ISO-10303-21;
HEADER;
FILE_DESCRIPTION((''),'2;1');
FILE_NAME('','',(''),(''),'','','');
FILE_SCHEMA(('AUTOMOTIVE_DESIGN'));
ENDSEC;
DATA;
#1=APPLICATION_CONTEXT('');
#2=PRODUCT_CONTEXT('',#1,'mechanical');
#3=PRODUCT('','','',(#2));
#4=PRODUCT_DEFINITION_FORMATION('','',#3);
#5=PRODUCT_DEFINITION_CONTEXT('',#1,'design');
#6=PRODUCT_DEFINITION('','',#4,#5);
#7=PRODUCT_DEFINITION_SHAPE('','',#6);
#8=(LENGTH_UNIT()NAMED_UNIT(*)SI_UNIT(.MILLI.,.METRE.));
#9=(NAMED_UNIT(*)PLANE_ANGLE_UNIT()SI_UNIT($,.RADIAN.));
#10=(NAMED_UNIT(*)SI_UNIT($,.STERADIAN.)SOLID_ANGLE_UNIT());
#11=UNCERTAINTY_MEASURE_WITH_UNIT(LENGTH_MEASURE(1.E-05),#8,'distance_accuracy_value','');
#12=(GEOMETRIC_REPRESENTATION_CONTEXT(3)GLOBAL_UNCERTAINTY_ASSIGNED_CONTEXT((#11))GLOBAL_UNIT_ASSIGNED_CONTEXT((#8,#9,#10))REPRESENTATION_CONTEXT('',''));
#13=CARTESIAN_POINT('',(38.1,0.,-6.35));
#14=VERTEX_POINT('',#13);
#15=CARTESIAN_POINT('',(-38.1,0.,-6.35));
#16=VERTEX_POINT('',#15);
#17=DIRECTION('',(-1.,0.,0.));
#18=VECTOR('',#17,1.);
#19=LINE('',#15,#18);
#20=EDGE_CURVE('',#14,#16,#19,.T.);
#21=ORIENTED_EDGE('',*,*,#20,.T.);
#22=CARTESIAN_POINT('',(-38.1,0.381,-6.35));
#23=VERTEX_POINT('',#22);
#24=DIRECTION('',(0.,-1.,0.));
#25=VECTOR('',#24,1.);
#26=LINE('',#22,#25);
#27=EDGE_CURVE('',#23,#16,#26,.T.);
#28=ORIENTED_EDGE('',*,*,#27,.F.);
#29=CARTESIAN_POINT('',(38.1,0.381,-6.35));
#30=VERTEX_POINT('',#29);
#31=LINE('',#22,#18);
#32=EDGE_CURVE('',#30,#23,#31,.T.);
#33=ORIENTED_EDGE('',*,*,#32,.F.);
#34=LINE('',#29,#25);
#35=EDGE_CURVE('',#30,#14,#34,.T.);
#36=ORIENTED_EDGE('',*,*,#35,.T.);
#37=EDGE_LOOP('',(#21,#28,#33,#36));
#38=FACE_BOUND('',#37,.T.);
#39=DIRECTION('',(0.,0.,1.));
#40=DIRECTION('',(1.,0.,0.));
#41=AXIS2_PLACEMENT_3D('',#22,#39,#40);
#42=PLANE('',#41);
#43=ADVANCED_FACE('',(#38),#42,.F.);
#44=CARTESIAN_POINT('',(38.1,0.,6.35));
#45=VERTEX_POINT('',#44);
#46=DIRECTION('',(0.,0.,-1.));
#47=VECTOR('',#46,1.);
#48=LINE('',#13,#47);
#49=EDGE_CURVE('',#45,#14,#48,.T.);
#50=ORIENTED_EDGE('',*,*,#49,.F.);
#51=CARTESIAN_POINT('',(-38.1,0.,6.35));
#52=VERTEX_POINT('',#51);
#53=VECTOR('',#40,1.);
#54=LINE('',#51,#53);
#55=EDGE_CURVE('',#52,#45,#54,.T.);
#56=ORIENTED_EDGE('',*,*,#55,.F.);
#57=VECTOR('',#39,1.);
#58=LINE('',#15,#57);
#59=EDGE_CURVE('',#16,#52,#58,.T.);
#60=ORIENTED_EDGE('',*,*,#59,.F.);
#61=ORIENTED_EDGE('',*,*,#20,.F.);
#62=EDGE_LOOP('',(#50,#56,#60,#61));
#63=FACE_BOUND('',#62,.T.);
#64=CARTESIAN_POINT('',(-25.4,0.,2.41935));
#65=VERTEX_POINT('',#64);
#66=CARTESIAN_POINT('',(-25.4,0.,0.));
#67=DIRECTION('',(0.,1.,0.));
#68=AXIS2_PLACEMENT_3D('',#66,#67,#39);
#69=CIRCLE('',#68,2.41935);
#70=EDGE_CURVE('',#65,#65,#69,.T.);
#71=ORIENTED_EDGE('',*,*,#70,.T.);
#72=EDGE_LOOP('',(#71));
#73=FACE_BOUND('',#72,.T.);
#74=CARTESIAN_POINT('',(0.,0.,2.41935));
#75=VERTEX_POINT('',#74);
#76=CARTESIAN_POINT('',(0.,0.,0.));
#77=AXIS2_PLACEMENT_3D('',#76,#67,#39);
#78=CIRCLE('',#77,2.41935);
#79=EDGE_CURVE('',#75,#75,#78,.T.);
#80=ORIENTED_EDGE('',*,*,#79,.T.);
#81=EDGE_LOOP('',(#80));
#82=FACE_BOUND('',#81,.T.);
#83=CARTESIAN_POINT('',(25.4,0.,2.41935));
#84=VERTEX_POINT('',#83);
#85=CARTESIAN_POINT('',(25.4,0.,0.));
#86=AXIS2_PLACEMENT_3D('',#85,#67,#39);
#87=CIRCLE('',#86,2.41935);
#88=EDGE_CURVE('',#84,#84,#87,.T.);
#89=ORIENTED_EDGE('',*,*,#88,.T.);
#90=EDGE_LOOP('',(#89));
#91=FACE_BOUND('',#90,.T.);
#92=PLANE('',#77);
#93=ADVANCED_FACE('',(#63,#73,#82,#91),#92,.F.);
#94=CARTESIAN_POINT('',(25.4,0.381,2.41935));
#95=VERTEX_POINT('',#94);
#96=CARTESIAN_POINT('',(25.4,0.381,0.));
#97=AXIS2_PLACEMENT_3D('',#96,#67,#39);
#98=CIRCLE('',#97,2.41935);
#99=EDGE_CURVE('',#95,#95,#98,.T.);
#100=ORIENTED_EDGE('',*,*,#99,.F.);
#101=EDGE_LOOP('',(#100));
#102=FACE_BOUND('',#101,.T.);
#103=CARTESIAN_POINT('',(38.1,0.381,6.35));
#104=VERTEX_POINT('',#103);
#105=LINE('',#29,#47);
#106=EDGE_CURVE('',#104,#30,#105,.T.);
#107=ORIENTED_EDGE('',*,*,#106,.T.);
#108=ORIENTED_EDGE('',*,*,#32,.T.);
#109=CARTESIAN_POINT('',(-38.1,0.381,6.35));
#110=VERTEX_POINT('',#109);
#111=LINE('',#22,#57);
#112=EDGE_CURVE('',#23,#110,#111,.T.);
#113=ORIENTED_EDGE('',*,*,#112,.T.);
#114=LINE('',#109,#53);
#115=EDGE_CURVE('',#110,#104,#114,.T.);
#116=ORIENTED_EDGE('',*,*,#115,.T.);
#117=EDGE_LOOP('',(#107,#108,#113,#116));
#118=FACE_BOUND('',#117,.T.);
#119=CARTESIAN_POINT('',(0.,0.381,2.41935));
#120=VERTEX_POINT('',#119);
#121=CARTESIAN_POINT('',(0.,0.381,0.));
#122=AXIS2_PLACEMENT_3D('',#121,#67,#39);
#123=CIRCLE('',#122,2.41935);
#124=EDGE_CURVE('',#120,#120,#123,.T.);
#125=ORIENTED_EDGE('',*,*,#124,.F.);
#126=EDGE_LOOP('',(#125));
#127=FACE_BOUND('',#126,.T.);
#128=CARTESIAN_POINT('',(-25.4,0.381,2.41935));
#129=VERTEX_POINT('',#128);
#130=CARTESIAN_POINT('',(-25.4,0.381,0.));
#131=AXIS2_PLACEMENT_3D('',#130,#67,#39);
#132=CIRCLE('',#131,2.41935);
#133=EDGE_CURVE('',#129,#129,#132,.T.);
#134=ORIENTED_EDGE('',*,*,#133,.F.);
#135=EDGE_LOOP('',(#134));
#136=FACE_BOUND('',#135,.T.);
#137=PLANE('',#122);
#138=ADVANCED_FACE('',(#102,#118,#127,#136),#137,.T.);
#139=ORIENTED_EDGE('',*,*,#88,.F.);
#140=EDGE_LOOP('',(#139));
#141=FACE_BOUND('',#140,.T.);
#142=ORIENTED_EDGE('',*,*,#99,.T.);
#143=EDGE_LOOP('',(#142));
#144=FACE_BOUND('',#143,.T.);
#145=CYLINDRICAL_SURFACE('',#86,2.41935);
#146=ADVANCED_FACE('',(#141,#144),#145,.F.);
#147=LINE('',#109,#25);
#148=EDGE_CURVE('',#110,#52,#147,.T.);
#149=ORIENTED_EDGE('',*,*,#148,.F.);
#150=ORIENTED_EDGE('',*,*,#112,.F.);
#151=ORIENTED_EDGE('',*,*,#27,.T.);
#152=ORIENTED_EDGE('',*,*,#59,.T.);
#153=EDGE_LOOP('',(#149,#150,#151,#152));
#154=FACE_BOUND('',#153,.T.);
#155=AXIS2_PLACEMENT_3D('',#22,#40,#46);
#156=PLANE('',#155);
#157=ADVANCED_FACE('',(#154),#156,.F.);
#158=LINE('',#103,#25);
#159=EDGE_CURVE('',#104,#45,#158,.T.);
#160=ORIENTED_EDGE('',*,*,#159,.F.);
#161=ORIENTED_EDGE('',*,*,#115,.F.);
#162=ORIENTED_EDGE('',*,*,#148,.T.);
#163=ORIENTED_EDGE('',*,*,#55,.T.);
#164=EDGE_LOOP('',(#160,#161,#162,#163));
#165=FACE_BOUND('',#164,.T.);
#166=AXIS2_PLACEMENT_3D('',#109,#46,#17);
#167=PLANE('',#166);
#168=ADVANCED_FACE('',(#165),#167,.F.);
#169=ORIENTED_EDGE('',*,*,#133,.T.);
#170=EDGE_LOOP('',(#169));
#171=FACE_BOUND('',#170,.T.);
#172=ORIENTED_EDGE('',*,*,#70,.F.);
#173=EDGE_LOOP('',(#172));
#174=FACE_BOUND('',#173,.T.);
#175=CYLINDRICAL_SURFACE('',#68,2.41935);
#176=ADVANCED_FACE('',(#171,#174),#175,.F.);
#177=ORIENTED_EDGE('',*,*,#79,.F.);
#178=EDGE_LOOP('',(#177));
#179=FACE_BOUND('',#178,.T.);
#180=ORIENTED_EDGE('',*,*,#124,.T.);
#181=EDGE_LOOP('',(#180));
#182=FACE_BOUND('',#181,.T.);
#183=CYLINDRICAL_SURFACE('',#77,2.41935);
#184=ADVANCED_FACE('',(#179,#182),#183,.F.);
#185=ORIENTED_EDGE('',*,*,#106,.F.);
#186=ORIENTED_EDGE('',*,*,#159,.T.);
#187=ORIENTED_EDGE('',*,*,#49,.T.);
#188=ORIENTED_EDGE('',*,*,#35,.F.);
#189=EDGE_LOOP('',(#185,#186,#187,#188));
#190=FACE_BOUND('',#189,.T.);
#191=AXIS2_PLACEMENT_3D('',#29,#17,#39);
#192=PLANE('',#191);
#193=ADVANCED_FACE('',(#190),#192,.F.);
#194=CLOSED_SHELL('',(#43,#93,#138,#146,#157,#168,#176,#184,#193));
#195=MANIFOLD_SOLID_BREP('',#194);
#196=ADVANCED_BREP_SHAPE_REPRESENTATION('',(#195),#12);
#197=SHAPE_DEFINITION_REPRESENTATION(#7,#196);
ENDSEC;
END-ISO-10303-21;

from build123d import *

# Parameters (mm, degrees)
SKETCH1_W           = 76.2
SKETCH1_H           = 12.7
BOSS_EXTRUDE1_DEPTH = 0.381
SKETCH2_R           = 2.41935
CUT_EXTRUDE1_DEPTH  = 1.381


with BuildPart() as part:
    # Sketch1 → Boss-Extrude1 (new body)
    with BuildSketch(Plane(origin=(0, 0, 0), x_dir=(1, 0, 0), z_dir=(0, 1, 0))):
        Rectangle(SKETCH1_W, SKETCH1_H)
    extrude(amount=BOSS_EXTRUDE1_DEPTH)

    # Sketch2 → Cut-Extrude1 (cut, through all)
    with BuildSketch(Plane(origin=(0, 0.381, 0), x_dir=(1, 0, 0), z_dir=(0, 1, 0))):
        Circle(SKETCH2_R)
        with Locations((-25.4, 0)):
            Circle(SKETCH2_R)
        with Locations((25.4, 0)):
            Circle(SKETCH2_R)
    extrude(amount=-CUT_EXTRUDE1_DEPTH, mode=Mode.SUBTRACT)


solid = part.part
